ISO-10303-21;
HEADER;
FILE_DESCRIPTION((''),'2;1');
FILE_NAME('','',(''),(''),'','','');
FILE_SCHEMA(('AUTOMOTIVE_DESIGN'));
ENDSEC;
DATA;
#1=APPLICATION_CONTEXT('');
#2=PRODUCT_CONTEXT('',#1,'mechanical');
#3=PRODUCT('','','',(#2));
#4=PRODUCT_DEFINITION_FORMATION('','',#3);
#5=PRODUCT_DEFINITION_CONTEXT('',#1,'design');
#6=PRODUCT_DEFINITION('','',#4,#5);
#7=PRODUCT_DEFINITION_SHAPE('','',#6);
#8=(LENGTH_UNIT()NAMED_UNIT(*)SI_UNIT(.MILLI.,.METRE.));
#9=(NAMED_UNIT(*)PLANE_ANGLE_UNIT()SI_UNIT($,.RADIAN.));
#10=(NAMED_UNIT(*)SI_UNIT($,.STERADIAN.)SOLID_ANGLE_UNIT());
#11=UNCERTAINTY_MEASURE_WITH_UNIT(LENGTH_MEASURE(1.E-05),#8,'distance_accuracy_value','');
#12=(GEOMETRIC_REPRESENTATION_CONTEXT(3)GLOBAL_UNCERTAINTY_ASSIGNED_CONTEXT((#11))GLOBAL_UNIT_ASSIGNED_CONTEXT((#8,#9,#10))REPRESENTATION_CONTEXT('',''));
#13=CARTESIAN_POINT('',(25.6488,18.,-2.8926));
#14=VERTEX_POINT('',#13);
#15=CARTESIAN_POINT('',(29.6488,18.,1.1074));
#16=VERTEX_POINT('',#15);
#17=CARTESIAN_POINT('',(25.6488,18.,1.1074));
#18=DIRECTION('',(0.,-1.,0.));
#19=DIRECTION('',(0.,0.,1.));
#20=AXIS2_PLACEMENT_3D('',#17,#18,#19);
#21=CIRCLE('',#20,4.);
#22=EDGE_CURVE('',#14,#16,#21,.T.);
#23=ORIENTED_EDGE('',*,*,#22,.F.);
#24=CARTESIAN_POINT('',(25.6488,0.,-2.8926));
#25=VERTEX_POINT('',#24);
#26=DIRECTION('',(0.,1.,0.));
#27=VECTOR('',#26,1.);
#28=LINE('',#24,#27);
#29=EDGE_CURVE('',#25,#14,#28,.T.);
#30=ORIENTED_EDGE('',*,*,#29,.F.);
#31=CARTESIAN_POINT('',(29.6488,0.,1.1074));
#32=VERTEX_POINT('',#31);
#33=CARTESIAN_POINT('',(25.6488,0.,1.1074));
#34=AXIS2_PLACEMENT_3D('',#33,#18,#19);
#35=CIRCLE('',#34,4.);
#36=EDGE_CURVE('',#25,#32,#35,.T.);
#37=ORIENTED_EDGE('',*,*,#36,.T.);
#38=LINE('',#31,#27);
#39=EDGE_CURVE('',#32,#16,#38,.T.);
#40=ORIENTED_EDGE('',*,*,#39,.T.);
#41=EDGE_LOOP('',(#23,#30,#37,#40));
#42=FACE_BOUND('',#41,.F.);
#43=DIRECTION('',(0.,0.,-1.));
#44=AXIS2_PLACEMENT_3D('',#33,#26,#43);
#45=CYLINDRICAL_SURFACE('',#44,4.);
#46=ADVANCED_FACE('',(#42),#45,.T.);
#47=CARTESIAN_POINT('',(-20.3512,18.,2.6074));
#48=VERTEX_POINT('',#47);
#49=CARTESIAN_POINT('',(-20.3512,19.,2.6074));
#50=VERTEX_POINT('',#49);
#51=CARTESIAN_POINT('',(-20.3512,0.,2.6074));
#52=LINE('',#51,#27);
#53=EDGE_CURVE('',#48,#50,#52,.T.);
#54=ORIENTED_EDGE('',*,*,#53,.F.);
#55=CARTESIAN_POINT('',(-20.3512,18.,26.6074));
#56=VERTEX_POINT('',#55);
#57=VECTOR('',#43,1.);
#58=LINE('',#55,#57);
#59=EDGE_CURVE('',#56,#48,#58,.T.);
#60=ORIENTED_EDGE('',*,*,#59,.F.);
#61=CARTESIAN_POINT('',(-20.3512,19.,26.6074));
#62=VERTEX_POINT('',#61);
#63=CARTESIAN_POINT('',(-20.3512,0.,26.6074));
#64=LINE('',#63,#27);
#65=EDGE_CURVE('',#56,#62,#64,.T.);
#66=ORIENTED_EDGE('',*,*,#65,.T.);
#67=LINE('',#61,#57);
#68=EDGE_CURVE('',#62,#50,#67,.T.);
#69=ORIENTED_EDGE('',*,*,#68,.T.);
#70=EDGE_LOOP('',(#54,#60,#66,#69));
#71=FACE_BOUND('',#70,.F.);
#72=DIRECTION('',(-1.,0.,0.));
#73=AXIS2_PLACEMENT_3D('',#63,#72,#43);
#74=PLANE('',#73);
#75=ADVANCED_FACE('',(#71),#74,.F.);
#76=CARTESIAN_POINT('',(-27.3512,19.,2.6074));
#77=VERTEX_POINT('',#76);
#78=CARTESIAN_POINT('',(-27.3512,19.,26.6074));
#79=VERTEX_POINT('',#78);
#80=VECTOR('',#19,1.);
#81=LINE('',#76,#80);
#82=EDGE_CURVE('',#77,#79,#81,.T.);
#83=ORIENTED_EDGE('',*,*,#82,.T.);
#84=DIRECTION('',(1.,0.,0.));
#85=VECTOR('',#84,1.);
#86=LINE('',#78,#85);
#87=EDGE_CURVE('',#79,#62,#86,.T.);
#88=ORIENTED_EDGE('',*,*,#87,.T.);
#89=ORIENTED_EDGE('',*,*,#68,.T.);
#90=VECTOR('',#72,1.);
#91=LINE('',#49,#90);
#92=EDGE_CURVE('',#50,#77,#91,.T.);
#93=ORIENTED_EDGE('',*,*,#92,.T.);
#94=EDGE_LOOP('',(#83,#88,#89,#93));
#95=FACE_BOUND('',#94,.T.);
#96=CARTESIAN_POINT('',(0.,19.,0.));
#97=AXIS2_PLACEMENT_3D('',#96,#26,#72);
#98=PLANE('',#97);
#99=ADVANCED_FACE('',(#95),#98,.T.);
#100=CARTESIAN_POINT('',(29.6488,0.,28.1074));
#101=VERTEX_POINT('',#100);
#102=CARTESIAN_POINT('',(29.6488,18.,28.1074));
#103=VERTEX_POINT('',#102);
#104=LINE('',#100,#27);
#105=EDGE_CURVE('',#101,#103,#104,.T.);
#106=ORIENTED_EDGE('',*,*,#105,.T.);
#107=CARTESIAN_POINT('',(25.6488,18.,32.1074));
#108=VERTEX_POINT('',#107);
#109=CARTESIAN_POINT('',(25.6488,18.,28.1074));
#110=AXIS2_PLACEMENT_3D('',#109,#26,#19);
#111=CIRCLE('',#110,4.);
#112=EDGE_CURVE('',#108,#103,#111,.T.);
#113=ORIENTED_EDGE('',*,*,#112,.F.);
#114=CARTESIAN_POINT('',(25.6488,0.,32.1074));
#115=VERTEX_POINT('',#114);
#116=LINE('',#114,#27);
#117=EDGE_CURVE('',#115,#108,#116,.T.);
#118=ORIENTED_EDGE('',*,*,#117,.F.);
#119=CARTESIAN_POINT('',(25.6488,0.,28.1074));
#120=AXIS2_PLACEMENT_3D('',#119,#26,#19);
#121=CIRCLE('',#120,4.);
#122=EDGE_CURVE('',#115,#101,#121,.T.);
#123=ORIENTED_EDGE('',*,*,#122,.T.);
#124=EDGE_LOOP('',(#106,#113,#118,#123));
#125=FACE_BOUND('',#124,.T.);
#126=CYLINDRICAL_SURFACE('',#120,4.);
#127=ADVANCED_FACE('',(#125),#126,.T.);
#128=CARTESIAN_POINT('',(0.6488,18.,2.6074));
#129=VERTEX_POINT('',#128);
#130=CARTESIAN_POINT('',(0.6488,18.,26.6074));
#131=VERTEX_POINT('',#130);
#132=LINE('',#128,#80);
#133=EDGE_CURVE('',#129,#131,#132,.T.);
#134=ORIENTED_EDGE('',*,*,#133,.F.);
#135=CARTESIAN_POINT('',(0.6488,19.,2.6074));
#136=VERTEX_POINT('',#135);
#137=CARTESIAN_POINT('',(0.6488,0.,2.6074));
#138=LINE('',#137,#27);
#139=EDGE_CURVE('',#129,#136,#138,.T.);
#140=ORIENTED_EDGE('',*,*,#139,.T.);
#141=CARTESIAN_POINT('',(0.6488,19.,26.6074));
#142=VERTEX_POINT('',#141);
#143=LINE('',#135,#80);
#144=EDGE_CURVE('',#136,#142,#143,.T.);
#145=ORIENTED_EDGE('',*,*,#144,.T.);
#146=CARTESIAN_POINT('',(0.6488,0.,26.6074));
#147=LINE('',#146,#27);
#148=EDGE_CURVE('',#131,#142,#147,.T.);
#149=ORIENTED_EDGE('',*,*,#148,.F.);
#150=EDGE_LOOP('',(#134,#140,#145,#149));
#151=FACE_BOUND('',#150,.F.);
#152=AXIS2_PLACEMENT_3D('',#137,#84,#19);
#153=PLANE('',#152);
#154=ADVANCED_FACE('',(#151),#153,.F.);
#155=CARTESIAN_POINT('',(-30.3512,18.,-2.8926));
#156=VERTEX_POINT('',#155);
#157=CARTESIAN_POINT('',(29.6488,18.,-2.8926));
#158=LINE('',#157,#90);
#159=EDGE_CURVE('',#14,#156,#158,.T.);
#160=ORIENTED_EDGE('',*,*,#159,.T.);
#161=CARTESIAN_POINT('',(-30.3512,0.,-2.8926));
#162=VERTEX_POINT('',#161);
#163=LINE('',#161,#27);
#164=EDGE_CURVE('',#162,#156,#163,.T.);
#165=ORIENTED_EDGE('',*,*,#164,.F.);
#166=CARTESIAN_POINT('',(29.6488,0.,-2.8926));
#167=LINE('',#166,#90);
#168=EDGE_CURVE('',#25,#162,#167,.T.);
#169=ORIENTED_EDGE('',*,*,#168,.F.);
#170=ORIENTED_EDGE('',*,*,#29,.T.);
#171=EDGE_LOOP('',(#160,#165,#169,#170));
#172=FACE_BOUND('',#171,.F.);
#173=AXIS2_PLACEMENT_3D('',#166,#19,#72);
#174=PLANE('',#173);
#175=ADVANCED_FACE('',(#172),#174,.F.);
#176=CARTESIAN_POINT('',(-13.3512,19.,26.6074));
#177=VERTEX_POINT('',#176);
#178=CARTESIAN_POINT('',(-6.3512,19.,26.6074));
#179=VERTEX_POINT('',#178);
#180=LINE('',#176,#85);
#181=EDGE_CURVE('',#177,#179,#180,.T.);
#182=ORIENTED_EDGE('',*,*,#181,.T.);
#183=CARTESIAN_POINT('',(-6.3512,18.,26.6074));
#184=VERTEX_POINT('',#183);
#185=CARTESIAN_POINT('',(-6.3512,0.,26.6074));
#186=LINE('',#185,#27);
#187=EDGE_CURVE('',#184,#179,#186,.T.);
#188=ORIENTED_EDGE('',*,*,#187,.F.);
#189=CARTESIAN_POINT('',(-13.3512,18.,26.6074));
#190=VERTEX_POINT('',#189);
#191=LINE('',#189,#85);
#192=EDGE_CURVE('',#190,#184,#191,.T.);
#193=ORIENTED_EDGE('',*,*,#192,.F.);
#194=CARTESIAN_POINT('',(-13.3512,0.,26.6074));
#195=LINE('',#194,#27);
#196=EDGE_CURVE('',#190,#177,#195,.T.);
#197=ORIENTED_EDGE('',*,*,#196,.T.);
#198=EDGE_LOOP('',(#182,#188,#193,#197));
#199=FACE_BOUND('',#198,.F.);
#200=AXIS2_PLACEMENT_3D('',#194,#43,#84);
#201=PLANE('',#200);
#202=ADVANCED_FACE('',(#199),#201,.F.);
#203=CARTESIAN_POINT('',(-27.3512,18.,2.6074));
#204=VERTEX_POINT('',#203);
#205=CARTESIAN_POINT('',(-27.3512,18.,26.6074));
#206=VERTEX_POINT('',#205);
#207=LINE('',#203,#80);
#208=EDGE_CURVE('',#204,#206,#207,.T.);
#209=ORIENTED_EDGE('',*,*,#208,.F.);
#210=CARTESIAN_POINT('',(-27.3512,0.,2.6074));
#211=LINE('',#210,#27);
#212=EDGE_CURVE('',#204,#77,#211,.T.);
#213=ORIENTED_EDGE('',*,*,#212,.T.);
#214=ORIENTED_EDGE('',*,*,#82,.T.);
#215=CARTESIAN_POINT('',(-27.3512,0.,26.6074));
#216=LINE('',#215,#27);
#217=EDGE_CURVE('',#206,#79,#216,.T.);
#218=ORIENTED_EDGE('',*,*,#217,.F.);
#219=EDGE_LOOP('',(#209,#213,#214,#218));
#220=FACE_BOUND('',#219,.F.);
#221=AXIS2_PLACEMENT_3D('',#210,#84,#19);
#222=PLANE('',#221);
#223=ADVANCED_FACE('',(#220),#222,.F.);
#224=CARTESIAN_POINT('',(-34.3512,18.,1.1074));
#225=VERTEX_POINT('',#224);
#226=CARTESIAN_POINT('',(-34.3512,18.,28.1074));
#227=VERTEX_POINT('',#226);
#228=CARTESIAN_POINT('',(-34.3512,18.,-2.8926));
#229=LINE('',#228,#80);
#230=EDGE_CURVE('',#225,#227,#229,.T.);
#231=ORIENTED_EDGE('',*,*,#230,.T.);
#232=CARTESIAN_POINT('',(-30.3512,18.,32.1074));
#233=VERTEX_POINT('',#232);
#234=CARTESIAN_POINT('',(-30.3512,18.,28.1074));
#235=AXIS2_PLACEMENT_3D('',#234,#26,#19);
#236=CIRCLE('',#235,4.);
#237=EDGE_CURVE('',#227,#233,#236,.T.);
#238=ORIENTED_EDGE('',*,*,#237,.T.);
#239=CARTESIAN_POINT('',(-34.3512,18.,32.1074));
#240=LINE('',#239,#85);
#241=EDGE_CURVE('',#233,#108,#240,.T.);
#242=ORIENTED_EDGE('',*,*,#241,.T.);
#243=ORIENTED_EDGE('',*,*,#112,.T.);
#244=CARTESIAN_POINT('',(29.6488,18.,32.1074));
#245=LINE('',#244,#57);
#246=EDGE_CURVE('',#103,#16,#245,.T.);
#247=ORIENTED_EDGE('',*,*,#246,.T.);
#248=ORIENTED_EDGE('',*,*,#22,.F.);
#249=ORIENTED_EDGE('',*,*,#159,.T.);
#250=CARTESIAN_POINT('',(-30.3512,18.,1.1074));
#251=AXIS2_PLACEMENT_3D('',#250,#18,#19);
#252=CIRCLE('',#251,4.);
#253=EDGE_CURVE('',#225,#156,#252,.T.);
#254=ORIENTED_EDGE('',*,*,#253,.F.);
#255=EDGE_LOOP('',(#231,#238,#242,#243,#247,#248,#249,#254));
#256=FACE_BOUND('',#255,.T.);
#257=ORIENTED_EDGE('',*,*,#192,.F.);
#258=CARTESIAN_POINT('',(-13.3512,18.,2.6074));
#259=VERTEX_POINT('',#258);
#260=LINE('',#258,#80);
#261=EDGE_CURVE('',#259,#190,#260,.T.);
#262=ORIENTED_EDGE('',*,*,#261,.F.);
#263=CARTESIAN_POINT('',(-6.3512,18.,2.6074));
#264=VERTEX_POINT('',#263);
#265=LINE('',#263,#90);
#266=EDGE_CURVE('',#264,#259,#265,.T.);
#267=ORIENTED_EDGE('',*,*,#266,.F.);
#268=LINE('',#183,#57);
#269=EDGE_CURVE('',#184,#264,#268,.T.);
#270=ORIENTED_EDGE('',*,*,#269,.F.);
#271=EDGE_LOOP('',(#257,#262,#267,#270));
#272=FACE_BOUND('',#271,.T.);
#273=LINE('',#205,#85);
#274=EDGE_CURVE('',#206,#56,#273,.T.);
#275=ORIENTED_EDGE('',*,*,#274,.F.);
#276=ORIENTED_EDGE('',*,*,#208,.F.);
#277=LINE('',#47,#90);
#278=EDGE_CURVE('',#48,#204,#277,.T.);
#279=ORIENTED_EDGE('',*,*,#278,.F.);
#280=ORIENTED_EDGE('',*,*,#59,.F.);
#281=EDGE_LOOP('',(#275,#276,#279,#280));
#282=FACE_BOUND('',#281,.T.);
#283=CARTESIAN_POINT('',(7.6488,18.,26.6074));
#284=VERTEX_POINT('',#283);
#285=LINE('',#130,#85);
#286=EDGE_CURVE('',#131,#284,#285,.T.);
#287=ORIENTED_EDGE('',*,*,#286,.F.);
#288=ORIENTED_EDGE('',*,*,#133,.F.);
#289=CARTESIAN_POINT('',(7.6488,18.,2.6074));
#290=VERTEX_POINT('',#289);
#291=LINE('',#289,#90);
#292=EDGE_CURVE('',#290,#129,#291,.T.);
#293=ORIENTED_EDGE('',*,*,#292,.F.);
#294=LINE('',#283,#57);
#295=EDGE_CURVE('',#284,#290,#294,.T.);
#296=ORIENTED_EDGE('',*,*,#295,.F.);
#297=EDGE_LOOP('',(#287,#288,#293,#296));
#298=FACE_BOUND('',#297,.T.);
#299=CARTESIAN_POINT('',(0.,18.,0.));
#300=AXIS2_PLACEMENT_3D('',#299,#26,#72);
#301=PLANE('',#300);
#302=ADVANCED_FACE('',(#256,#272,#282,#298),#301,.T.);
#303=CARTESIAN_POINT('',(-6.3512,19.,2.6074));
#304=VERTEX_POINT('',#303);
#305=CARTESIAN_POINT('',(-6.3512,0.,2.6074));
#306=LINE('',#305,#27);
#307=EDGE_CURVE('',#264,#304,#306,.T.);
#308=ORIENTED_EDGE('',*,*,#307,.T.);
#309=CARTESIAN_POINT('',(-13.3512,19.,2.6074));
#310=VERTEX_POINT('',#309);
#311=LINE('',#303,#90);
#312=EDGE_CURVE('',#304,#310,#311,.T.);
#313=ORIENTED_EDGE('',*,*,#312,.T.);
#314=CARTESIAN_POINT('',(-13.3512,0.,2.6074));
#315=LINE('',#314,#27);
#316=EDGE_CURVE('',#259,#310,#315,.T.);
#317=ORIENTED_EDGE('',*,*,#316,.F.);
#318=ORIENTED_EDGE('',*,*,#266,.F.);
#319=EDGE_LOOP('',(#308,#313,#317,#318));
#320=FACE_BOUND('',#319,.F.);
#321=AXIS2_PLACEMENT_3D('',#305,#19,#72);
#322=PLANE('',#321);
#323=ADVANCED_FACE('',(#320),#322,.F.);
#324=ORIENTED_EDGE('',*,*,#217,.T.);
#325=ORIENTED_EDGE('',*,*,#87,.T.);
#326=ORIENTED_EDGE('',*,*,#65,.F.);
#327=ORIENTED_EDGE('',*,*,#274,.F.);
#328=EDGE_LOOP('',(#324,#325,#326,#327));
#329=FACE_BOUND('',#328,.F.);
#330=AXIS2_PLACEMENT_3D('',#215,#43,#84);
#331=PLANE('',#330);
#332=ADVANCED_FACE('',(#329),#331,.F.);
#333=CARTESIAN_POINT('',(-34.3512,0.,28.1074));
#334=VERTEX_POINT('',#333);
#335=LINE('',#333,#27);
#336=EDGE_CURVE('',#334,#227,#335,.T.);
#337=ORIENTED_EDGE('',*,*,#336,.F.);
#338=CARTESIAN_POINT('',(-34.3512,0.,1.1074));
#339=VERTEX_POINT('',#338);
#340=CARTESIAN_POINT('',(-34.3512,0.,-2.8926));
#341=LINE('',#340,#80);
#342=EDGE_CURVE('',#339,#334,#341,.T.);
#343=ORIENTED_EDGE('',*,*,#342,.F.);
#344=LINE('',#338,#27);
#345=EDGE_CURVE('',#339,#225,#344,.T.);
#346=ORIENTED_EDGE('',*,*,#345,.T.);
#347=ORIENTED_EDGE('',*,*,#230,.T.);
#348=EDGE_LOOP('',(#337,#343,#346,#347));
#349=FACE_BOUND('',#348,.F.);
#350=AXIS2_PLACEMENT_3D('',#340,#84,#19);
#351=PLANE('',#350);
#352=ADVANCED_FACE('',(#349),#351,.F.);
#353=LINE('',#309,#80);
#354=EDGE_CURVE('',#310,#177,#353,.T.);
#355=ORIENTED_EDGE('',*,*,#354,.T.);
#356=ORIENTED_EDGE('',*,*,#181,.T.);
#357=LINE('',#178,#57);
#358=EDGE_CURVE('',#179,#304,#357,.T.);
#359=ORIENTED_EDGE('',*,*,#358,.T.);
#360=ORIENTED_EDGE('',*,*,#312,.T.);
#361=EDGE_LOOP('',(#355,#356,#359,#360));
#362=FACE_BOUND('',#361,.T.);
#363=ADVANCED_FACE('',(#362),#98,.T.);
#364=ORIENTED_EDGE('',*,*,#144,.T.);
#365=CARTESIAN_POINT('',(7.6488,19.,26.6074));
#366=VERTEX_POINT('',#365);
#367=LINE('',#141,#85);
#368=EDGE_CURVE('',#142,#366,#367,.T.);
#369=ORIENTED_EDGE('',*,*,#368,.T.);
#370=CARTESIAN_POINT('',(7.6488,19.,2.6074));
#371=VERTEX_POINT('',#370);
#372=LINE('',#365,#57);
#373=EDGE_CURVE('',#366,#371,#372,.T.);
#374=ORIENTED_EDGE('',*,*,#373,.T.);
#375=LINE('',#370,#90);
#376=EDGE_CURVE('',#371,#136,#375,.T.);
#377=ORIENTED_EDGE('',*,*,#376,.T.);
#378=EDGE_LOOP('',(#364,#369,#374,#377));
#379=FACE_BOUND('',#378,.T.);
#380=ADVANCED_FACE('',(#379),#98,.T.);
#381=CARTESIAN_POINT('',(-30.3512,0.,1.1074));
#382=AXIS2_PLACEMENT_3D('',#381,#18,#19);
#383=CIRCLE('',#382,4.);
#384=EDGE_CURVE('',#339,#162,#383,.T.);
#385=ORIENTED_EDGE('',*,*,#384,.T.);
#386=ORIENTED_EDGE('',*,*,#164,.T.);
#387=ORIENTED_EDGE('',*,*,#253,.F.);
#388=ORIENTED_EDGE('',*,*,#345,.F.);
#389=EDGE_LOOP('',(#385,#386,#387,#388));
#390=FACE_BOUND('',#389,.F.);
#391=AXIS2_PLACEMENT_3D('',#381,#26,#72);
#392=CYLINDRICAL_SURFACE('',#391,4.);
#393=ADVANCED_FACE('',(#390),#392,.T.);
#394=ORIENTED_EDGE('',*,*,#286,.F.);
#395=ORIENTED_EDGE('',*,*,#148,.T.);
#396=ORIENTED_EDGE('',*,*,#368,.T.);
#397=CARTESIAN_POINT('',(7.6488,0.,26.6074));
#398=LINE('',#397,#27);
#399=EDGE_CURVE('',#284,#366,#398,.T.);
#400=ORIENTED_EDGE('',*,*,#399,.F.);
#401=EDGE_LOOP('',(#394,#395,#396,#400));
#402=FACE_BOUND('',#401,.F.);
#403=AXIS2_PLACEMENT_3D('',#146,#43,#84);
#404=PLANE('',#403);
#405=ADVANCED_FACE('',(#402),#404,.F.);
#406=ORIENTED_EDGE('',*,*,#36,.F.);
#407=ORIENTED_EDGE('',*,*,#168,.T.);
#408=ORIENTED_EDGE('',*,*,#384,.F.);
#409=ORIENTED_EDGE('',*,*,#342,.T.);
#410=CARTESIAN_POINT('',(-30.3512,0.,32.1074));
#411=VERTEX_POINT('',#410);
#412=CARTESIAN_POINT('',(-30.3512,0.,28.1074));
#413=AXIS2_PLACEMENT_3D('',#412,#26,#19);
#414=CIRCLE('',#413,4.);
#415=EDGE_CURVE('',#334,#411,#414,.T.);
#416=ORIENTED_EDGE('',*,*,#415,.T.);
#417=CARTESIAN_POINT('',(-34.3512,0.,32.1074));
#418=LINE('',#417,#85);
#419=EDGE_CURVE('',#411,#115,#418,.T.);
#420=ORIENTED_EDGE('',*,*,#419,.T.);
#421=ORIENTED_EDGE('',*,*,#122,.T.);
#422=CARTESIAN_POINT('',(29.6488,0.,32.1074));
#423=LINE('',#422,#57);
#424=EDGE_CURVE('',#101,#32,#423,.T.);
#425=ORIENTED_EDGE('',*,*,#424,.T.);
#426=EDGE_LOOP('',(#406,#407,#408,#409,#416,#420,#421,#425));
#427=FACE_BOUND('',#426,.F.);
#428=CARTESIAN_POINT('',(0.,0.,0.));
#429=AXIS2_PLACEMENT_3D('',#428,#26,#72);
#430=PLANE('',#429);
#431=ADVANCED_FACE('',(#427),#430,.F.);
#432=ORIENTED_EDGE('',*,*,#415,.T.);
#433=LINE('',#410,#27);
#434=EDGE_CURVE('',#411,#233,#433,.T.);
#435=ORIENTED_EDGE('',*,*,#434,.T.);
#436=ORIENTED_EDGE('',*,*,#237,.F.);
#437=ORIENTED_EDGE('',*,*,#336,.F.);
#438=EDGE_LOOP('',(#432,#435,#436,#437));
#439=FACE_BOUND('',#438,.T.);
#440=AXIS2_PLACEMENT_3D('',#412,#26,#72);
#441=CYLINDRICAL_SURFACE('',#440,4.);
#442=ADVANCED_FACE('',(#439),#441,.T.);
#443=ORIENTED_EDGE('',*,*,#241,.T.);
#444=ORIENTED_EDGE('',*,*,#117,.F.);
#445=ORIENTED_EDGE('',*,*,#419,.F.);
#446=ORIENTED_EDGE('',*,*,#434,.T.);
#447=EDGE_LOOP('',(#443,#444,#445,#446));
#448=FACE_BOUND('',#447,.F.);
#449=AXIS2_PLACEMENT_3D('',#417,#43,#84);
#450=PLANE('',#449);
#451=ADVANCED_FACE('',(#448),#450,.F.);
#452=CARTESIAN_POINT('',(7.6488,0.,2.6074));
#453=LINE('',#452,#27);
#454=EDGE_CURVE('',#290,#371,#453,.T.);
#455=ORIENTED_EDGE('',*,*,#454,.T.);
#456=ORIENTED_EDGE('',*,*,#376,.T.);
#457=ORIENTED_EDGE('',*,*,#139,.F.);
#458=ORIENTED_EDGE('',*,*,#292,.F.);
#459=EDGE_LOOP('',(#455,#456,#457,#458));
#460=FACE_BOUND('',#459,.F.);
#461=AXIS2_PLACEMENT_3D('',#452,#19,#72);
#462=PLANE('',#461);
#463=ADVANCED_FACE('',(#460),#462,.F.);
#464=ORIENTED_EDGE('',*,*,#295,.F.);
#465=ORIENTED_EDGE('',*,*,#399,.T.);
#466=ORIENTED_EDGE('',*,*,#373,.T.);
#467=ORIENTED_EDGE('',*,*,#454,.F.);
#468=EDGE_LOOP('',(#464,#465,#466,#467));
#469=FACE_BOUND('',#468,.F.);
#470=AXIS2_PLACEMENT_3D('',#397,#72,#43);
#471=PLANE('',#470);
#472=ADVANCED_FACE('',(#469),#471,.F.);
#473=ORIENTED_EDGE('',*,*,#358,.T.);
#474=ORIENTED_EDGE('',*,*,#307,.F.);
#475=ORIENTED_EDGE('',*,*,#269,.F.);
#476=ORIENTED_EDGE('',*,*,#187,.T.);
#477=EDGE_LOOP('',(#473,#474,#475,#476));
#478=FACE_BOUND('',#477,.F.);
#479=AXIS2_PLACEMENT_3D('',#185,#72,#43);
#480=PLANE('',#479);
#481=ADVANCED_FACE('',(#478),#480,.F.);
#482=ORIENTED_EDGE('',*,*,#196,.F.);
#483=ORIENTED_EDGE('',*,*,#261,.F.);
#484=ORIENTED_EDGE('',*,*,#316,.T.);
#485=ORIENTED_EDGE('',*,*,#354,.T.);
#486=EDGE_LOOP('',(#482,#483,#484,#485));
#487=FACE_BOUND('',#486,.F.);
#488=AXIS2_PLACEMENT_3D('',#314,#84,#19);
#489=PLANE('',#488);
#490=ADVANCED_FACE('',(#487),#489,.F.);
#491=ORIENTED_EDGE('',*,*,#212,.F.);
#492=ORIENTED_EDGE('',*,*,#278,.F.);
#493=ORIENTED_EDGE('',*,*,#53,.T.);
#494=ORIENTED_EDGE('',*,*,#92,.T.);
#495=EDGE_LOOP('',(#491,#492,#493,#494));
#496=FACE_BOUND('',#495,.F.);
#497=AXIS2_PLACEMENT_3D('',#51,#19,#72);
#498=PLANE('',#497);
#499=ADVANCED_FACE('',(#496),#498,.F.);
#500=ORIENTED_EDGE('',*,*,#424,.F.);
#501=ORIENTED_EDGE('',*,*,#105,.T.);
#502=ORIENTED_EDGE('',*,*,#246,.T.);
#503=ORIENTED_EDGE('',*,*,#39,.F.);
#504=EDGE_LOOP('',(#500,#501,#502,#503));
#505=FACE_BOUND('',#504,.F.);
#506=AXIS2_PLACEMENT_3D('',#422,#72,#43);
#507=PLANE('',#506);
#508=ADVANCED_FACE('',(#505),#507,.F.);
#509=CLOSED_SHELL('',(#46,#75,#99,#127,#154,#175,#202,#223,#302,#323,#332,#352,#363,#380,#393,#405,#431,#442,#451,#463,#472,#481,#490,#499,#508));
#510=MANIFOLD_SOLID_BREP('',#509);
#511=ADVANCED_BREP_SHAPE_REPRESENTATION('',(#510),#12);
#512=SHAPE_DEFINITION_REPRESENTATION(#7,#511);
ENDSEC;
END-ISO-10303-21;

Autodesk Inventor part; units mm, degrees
ref_plane "YZ Plane" through (0, 0, 0) normal (1, 0, 0) x (0, 1, 0)
ref_plane "XZ Plane" through (0, 0, 0) normal (0, 1, 0) x (-1, 0, 0)
ref_plane "XY Plane" through (0, 0, 0) normal (0, 0, 1) x (1, 0, 0)
sketch "Sketch1" plane through (0, 0, 0) normal (0, 1, 0) x (-1, 0, 0)
  line L0 (34.3512, 32.1074) -> (-29.6488, 32.1074)
  line L1 (-29.6488, 32.1074) -> (-29.6488, -2.8926)
  line L2 (-29.6488, -2.8926) -> (34.3512, -2.8926)
  line L3 (34.3512, -2.8926) -> (34.3512, 32.1074)
  line L4 (27.3512, 26.6074) -> (20.3512, 26.6074)
  line L5 (20.3512, 26.6074) -> (20.3512, 2.6074)
  line L6 (20.3512, 2.6074) -> (27.3512, 2.6074)
  line L7 (27.3512, 2.6074) -> (27.3512, 26.6074)
  line L8 (13.3512, 2.6074) -> (13.3512, 26.6074)
  line L9 (13.3512, 26.6074) -> (6.3512, 26.6074)
  line L10 (6.3512, 2.6074) -> (13.3512, 2.6074)
  line L11 (6.3512, 26.6074) -> (6.3512, 2.6074)
  line L12 (-0.6488, 2.6074) -> (-0.6488, 26.6074)
  line L13 (-0.6488, 26.6074) -> (-7.6488, 26.6074)
  line L14 (-7.6488, 2.6074) -> (-0.6488, 2.6074)
  line L15 (-7.6488, 26.6074) -> (-7.6488, 2.6074)
  point P0 (0, 0)
  dimension "d0" = 35
  dimension "d1" = 64
  dimension "d2" = 7
  dimension "d3" = 7
  dimension "d4" = 24
  dimension "d5" = 5.5
  dimension "d6" = 5.5
  dimension "d9" = 14
  dimension "d14" = 7
extrude "Extrusion1" add sketch "Sketch1" along normal blind 18
extrude "Extrusion2" add sketch "Sketch1" along normal blind 19 contours L7 L6 L5 L4 | L10 L11 L9 L8 | L14 L15 L13 L12
fillet "Fillet1" radius 4 4 edges at (-34.3512, 9, -2.8926) (-34.3512, 9, 32.1074) (29.6488, 9, -2.8926) (29.6488, 9, 32.1074)
properties part number "kluc"
